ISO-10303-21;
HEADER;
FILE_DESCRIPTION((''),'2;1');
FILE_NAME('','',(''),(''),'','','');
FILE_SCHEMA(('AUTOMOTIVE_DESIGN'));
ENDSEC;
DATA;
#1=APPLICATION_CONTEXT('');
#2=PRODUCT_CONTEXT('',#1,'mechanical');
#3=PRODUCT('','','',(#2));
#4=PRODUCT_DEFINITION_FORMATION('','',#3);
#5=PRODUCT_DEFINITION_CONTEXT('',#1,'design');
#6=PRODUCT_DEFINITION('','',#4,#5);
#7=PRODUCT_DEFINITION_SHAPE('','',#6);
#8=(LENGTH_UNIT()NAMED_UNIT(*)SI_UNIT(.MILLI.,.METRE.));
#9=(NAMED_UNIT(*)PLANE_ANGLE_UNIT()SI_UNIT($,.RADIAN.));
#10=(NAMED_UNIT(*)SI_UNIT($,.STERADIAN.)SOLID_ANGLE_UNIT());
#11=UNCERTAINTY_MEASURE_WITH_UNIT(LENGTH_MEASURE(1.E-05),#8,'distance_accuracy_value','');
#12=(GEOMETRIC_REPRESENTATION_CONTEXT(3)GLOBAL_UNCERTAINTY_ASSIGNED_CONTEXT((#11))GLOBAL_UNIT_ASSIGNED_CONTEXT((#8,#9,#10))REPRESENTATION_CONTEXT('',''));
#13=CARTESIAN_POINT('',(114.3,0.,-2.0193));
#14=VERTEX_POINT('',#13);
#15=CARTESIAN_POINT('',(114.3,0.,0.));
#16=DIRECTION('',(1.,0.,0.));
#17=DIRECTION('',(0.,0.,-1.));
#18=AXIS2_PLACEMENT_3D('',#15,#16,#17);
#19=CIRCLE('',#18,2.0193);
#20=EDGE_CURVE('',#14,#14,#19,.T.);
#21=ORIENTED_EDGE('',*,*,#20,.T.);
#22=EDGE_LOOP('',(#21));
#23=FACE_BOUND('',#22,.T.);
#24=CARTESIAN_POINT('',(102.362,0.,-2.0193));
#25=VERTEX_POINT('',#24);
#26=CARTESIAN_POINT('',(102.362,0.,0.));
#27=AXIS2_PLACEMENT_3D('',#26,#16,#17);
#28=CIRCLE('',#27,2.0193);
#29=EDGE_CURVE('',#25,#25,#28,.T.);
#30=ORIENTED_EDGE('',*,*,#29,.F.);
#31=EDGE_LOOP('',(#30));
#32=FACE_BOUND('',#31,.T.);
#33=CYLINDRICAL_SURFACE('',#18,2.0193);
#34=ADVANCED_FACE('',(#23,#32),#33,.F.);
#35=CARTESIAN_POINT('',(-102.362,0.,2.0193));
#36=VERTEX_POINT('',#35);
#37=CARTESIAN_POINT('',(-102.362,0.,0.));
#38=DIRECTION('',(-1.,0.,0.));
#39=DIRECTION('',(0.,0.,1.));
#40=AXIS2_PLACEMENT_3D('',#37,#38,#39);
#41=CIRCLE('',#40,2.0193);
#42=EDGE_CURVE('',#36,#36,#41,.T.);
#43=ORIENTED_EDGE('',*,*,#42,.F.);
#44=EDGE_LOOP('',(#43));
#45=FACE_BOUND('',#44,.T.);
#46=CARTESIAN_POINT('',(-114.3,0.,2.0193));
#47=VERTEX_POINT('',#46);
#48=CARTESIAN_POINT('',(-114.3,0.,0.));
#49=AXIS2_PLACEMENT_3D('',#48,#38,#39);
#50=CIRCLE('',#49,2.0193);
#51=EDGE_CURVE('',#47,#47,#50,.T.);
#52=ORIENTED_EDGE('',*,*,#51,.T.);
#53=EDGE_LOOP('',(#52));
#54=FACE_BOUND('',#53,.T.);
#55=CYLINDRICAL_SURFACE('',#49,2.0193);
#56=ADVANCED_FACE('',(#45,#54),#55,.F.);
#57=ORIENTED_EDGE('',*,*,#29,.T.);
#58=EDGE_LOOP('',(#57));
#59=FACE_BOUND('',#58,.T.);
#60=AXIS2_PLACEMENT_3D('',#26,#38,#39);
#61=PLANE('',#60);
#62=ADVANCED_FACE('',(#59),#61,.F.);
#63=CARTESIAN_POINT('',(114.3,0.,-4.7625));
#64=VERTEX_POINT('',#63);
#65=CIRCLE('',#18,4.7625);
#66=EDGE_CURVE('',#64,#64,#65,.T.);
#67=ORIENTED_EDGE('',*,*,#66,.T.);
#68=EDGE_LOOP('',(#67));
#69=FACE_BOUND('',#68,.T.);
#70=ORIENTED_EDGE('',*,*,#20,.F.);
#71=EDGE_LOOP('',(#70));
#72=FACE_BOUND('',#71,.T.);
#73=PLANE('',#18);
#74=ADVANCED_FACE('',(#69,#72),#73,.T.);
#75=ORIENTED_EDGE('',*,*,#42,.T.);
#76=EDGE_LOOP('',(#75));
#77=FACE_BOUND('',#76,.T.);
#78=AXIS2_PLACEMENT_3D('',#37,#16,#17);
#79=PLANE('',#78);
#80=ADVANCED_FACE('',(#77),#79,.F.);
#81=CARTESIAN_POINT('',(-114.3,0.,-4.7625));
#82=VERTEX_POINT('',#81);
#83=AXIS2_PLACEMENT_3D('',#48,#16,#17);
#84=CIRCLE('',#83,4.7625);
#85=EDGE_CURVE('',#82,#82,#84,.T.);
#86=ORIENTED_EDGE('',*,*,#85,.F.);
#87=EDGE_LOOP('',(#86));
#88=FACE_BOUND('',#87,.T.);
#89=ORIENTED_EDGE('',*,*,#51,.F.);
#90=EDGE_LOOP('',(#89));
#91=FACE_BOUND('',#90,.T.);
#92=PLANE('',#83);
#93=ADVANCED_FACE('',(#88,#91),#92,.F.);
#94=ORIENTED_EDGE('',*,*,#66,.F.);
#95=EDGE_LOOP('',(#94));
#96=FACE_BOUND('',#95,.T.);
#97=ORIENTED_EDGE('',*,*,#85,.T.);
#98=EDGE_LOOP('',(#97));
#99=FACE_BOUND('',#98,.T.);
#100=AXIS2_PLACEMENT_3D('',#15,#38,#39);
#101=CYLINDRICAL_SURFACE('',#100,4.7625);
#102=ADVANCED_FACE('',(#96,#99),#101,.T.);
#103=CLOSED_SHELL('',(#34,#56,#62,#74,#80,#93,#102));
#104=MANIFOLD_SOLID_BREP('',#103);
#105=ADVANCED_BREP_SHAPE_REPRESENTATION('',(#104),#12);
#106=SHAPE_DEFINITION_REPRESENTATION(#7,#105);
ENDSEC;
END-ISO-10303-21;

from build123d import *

# Parameters (mm, degrees)
SKETCH1_R                  = 4.7625
BOSS_EXTRUDE1_DEPTH        = 114.3
F_10_32_TAPPED_HOLE1_D     = 4.0386
F_10_32_TAPPED_HOLE1_DEPTH = 11.938


with BuildPart() as part:
    # Sketch1 → Boss-Extrude1 (new body, symmetric)
    with BuildSketch(Plane(origin=(0, 0, 0), x_dir=(0, 0, -1), z_dir=(1, 0, 0))):
        Circle(SKETCH1_R)
    extrude(amount=BOSS_EXTRUDE1_DEPTH, both=True)

    # #10-32 Tapped Hole1
    with Locations(Plane.ZY.offset(114.3)):
        with Locations((0, 0)):
            f_10_32_tapped_hole1 = Hole(F_10_32_TAPPED_HOLE1_D / 2, depth=F_10_32_TAPPED_HOLE1_DEPTH)

    # Mirror1: #10-32 Tapped Hole1 across plane
    add(f_10_32_tapped_hole1.mirror(Plane(origin=(0, 0, 0), x_dir=(0, 0, 1), z_dir=(1, 0, 0))), mode=Mode.SUBTRACT)


solid = part.part
